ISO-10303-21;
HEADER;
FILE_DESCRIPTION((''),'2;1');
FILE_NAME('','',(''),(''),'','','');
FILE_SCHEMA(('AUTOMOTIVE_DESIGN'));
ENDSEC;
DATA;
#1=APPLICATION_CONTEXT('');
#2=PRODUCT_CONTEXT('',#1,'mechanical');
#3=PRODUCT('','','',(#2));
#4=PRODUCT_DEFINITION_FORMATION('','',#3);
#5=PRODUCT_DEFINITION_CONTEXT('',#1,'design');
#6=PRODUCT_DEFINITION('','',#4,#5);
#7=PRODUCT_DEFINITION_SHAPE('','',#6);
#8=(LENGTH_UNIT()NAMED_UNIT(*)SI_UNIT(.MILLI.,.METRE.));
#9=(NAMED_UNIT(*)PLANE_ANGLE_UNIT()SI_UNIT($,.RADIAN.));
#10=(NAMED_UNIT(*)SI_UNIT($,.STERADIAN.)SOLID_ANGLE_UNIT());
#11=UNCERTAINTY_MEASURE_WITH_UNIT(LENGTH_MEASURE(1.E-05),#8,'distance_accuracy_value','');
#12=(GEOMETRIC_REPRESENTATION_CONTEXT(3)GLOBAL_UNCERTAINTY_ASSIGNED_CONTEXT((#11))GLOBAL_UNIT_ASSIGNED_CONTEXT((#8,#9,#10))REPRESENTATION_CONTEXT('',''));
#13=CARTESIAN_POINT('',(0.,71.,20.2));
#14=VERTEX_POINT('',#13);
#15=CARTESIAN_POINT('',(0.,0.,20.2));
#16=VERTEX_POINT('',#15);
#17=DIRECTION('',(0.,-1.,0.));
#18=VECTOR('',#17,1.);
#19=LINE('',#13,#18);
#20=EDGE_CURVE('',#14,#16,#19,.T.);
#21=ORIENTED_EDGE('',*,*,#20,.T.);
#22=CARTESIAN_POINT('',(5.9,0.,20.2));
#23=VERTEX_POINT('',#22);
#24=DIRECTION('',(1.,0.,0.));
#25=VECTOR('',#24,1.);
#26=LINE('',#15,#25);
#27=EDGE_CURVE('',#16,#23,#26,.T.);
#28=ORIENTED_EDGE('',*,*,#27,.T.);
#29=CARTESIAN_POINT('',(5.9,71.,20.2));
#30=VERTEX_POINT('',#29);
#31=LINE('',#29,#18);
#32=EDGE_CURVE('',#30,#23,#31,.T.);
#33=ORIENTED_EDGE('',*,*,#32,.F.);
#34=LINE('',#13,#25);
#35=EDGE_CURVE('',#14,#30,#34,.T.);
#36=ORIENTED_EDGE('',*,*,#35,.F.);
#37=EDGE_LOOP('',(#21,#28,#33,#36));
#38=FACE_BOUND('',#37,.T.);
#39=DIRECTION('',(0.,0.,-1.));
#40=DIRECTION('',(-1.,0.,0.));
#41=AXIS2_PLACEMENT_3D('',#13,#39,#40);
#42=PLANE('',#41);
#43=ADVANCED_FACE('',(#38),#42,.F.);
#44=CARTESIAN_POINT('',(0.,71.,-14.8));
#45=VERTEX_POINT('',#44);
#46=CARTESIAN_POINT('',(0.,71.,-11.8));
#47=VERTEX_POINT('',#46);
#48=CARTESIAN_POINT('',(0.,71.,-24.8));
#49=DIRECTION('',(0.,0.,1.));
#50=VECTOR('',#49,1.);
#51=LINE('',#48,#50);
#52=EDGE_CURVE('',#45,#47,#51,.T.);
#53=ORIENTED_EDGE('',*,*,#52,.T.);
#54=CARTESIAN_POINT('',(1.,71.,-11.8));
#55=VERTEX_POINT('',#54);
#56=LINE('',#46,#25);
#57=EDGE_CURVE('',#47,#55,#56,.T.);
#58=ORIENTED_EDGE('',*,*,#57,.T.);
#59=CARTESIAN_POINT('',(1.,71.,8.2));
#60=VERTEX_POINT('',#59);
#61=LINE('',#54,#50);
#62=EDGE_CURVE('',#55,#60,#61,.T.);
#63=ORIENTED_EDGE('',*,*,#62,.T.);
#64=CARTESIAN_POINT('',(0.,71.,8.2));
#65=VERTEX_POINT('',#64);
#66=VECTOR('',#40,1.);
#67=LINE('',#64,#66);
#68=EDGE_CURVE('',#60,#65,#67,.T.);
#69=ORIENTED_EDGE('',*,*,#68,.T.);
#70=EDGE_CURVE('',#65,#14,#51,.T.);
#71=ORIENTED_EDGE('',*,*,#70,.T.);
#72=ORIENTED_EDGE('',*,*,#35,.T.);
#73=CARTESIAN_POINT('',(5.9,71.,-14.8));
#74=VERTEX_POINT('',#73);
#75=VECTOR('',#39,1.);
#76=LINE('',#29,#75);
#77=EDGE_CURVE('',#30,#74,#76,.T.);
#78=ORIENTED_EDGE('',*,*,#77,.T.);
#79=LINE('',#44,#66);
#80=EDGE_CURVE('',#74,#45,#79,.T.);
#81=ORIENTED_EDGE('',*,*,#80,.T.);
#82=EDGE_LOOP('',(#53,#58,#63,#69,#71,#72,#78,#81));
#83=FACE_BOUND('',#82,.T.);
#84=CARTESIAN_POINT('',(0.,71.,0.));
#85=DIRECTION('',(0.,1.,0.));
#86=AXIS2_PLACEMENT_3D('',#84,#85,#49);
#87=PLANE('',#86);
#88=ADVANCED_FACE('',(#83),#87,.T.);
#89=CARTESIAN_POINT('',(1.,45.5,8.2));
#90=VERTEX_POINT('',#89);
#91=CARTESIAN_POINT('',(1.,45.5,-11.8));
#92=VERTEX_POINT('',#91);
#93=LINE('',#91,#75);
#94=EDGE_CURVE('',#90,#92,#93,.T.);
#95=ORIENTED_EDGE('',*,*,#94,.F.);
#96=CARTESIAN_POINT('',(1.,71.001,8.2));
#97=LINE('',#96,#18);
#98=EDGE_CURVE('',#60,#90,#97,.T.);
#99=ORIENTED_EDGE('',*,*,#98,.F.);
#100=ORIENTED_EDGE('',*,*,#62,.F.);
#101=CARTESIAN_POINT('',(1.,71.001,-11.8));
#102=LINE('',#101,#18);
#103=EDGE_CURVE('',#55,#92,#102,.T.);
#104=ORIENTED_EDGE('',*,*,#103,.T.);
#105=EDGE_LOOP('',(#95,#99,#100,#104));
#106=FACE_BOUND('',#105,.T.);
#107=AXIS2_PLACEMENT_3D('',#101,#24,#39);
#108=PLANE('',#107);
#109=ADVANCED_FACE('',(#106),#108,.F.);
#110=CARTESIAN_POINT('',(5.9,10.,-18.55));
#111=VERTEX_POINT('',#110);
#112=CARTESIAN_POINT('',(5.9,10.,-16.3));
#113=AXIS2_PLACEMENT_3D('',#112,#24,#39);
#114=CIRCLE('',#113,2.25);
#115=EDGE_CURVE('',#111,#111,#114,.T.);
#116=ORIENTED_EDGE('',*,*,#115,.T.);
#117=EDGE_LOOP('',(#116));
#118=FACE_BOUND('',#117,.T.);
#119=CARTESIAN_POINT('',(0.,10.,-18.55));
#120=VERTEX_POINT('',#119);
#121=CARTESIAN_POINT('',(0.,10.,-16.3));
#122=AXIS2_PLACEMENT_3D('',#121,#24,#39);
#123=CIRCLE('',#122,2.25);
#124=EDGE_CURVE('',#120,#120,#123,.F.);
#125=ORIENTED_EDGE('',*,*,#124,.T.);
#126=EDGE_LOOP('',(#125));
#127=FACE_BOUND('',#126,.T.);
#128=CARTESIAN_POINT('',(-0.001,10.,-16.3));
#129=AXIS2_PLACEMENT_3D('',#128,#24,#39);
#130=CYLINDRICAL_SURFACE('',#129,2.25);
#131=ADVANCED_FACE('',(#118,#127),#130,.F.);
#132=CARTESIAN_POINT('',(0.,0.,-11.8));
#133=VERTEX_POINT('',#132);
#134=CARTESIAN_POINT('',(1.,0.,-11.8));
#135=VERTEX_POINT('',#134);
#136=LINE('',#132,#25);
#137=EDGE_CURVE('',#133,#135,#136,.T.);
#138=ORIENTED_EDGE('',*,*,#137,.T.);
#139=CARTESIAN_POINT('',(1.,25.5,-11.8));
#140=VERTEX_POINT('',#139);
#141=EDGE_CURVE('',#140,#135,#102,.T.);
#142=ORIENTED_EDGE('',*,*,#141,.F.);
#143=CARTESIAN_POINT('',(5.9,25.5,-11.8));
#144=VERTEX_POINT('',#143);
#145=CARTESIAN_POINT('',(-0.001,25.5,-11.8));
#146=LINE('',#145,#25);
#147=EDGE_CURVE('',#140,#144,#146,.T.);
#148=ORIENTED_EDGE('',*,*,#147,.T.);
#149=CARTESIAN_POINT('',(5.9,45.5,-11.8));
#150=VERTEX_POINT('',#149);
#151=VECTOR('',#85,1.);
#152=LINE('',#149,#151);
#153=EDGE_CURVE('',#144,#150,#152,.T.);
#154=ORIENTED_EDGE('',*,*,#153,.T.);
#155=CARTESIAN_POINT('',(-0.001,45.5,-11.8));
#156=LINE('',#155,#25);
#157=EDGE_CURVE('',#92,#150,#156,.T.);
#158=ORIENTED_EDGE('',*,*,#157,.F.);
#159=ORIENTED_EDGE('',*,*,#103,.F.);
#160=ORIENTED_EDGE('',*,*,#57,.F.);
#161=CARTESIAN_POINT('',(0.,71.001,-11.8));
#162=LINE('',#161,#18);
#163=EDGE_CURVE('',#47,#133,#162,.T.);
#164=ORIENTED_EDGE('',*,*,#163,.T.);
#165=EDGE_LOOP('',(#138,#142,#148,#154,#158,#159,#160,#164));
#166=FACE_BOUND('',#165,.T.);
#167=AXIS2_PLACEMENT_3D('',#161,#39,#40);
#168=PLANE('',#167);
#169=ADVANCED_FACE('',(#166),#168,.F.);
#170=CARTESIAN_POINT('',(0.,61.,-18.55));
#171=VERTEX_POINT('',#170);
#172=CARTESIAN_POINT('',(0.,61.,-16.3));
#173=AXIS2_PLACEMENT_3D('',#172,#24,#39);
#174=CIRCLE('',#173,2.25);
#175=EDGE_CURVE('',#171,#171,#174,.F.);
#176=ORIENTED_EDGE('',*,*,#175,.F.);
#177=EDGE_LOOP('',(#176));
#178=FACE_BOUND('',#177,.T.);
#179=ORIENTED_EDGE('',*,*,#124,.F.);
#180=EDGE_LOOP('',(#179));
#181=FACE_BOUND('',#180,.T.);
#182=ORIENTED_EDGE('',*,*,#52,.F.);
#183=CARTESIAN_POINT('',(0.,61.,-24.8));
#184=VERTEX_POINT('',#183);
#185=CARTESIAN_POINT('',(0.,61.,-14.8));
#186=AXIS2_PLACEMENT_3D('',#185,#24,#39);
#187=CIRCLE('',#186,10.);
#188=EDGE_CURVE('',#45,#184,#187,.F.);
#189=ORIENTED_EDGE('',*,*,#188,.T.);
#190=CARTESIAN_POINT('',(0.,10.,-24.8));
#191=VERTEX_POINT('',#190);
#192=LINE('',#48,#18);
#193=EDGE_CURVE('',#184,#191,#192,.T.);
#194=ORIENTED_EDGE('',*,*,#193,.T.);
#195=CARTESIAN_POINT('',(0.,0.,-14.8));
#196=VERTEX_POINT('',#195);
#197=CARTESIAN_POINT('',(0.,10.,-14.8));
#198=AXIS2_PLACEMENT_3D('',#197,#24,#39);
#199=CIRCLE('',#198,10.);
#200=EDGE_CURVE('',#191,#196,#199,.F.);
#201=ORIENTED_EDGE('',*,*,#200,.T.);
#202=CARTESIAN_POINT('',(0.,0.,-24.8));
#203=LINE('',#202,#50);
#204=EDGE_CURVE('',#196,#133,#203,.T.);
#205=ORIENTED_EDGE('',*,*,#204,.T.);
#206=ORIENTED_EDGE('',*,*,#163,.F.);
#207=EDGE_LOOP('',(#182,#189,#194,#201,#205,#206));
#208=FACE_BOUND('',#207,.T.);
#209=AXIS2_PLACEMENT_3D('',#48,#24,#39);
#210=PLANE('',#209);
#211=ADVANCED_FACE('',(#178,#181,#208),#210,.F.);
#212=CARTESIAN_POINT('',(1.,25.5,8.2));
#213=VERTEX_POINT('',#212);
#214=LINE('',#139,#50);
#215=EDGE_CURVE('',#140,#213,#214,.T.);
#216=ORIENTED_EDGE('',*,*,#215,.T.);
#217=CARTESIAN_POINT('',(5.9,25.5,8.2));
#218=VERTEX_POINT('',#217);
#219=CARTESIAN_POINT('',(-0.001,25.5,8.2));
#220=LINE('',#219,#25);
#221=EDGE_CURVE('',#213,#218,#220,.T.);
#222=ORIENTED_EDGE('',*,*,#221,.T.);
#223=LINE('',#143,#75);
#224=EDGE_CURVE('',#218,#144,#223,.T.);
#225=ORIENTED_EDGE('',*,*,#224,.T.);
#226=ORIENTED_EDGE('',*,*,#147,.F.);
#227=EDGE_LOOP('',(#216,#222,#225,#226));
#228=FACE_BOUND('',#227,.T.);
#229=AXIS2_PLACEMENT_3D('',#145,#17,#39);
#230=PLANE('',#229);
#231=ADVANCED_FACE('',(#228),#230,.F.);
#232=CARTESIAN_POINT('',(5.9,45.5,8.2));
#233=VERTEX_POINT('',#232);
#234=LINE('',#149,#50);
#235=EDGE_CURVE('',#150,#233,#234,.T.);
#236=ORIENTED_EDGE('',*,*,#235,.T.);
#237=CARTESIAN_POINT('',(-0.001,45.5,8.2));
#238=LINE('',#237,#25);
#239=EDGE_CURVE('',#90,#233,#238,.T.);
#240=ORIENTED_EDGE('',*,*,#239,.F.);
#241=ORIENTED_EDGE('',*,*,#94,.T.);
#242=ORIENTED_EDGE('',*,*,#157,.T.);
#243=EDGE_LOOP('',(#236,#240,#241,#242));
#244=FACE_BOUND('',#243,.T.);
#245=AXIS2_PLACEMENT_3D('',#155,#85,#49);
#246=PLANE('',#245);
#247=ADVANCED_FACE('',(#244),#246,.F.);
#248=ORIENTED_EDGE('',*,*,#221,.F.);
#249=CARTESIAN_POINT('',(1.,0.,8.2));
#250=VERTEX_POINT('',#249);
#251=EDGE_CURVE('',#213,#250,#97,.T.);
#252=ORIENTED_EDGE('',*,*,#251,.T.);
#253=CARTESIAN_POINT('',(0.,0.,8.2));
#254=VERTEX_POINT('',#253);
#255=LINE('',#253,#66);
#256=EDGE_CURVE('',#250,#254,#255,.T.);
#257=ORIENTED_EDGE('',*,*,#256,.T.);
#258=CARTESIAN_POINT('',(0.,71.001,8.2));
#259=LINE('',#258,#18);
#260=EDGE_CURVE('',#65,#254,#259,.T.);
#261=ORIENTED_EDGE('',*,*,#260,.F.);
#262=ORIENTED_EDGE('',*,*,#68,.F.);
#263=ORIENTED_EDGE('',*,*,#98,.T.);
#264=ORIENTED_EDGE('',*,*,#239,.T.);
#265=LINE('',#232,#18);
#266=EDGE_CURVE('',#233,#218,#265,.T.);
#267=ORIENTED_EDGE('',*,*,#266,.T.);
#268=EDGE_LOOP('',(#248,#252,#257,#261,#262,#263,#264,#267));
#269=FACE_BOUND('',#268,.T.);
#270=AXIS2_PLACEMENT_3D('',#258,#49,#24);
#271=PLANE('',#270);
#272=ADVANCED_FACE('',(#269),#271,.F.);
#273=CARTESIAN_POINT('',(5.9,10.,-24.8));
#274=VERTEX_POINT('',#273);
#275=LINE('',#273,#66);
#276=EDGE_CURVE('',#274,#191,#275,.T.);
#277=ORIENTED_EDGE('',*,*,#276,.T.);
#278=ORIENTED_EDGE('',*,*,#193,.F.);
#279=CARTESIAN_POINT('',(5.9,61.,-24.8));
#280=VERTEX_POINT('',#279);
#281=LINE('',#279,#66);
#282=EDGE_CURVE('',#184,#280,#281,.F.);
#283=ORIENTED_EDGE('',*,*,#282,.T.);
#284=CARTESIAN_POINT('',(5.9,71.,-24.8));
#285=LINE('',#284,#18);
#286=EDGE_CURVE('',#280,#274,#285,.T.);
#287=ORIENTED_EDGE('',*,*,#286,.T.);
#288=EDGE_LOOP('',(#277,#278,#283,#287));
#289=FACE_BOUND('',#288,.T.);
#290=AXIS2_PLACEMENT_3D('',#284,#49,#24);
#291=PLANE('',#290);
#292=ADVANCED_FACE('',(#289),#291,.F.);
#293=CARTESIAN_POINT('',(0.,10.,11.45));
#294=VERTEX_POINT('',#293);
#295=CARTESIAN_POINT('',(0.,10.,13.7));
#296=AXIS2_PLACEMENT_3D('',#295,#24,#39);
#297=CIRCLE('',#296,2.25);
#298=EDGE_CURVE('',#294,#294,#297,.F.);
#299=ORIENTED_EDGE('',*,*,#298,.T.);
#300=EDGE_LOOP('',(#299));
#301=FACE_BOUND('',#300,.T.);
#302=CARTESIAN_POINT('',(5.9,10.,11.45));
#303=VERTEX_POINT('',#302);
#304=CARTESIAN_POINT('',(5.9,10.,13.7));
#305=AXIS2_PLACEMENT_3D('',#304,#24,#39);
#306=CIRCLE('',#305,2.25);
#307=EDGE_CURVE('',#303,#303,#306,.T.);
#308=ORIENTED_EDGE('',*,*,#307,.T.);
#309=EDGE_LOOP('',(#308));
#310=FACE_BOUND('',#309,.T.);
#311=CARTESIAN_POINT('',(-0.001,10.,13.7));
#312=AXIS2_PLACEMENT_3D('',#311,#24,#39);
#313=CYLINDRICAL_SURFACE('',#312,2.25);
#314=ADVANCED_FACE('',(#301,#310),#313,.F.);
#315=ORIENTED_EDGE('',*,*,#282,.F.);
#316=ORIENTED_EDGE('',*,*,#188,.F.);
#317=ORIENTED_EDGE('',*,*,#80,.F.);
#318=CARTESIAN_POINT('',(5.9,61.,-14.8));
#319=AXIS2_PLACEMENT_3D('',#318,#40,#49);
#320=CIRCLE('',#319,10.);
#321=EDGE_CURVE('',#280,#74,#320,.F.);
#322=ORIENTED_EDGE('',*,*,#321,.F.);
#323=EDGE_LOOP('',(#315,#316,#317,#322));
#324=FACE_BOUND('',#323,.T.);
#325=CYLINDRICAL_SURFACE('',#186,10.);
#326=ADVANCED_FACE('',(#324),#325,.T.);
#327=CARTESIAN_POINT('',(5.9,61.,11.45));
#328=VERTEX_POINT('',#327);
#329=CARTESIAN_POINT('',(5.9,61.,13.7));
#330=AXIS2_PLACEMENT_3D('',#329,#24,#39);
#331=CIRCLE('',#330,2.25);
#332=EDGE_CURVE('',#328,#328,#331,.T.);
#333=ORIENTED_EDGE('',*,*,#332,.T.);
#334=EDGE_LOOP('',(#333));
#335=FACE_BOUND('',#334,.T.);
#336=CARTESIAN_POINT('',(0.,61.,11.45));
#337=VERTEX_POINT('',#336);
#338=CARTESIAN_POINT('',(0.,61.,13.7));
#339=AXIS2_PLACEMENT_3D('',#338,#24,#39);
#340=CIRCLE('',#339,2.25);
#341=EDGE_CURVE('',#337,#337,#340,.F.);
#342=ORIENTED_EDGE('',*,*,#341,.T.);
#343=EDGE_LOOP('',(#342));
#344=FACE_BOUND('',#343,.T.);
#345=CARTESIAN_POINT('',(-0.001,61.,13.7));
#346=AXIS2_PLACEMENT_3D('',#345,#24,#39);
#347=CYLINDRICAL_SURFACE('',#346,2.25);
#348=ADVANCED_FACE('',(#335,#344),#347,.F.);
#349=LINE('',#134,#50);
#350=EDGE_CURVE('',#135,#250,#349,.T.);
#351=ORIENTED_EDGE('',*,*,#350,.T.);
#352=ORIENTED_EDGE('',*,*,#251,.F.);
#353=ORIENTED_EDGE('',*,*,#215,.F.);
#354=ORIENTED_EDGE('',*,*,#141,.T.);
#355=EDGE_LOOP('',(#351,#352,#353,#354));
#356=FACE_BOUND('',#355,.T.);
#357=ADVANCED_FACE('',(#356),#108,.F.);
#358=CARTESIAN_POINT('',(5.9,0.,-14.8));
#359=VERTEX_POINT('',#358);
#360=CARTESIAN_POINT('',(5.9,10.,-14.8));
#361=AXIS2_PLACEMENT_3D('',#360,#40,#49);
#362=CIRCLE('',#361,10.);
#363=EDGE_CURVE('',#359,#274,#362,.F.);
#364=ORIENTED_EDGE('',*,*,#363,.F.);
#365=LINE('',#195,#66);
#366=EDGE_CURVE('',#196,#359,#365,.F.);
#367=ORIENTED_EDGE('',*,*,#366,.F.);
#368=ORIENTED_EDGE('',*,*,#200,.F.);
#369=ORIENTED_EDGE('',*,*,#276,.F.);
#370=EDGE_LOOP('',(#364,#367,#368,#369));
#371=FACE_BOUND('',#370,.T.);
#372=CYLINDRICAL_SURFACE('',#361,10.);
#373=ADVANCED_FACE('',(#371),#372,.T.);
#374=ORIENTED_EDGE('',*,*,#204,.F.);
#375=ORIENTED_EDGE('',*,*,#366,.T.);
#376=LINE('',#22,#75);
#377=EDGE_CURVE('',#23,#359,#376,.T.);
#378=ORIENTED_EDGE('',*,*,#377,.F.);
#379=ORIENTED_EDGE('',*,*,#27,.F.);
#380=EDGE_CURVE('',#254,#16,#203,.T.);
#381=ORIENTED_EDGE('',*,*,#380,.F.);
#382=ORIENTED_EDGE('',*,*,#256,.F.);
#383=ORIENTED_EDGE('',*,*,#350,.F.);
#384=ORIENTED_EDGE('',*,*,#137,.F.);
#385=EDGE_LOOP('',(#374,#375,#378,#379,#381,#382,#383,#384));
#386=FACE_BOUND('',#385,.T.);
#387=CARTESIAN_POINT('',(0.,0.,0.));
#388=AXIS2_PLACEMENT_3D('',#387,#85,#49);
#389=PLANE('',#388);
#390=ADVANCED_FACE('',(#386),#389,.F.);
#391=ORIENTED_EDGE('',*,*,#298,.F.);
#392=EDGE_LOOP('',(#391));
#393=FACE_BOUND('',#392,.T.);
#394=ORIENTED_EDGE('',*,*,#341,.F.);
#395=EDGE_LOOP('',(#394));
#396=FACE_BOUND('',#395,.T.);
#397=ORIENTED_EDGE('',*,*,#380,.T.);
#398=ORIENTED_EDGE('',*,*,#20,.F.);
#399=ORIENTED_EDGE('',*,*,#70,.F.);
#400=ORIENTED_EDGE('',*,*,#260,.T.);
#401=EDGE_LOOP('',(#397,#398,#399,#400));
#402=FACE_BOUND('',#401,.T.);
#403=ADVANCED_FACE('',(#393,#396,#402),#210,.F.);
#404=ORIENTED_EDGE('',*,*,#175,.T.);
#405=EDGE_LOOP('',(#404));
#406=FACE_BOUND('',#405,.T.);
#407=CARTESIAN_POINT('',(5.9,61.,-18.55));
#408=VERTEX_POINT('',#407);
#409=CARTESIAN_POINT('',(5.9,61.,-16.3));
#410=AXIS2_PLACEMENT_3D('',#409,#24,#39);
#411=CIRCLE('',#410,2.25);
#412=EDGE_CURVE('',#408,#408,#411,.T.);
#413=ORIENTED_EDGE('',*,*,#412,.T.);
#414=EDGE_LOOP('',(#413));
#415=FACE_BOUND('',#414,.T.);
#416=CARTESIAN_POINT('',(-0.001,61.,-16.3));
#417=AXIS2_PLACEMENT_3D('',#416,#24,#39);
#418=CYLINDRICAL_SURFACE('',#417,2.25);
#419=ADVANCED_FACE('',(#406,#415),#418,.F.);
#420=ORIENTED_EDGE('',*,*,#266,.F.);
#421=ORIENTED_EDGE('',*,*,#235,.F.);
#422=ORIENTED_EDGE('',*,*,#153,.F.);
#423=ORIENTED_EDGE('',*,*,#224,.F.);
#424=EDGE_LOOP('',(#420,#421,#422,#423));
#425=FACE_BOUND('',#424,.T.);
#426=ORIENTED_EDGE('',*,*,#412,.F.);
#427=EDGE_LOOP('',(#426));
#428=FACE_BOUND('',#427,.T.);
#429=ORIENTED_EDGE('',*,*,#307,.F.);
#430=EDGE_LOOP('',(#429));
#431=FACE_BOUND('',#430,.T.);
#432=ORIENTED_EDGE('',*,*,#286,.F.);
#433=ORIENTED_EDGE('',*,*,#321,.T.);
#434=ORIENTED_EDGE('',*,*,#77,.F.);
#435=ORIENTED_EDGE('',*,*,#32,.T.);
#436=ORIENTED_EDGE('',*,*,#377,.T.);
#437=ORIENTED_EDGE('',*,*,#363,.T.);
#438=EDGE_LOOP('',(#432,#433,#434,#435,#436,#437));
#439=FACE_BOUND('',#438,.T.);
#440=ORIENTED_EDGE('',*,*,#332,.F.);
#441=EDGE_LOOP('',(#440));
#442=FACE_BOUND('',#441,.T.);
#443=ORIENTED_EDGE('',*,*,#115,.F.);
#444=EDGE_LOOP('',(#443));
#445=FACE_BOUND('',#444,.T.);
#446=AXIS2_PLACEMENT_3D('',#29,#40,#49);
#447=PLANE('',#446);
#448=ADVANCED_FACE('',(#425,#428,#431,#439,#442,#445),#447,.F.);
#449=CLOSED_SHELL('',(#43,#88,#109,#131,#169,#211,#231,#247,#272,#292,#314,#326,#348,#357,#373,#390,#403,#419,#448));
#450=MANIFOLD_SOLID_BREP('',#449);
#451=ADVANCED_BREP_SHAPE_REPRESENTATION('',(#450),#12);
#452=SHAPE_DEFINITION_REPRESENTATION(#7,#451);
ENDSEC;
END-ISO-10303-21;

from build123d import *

# Parameters (mm, degrees)
SKETCH1_W           = 5.9
SKETCH1_H           = 45
BOSS_EXTRUDE1_DEPTH = 71
CUT_EXTRUDE2_REACH  = 73
SKETCH3_W           = 1
SKETCH3_H           = 20
FILLET1_R           = 10
CUT_EXTRUDE3_REACH  = 7.9
SKETCH4_R           = 2.25
CUT_EXTRUDE4_REACH  = 7.9
SKETCH5_W           = 20
SKETCH5_H           = 20


with BuildPart() as part:
    # Sketch1 → Boss-Extrude1 (new body)
    with BuildSketch(Plane(origin=(0, 0, 0), x_dir=(1, 0, 0), z_dir=(0, 1, 0))):
        with Locations((2.95, 2.3)):
            Rectangle(SKETCH1_W, SKETCH1_H)
    extrude(amount=BOSS_EXTRUDE1_DEPTH)

    # Sketch3 → Cut-Extrude2 (cut, up to next)
    with BuildSketch(Plane.XZ, mode=Mode.PRIVATE) as cut_extrude2_sk1:
        with Locations((0.5, -1.8)):
            Rectangle(SKETCH3_W, SKETCH3_H)
    cut_extrude2_tool1 = extrude(cut_extrude2_sk1.sketch, amount=-CUT_EXTRUDE2_REACH, mode=Mode.PRIVATE) & part.part
    add(cut_extrude2_tool1.solids().sort_by_distance((0.5, 0, -1.8))[0], mode=Mode.SUBTRACT)

    # Fillet1
    fillet1_edges = [part.edges().sort_by_distance(p)[0] for p in [
        (2.95, 71, -24.8),
        (2.95, 0, -24.8),
    ]]
    fillet(fillet1_edges, radius=FILLET1_R)

    # Sketch4 → Cut-Extrude3 (cut, up to next)
    with BuildSketch(Plane(origin=(5.9, 0, 0), x_dir=(0, 0, -1), z_dir=(1, 0, 0)), mode=Mode.PRIVATE) as cut_extrude3_sk1:
        with Locations((-13.7, 61)):
            Circle(SKETCH4_R)
    cut_extrude3_tool1 = extrude(cut_extrude3_sk1.sketch, amount=-CUT_EXTRUDE3_REACH, mode=Mode.PRIVATE) & part.part
    add(cut_extrude3_tool1.solids().sort_by_distance((5.9, 61, 13.7))[0], mode=Mode.SUBTRACT)
    # Sketch4 → Cut-Extrude3 (cut, up to next)
    with BuildSketch(Plane(origin=(5.9, 0, 0), x_dir=(0, 0, -1), z_dir=(1, 0, 0)), mode=Mode.PRIVATE) as cut_extrude3_sk2:
        with Locations((-13.7, 10)):
            Circle(SKETCH4_R)
    cut_extrude3_tool2 = extrude(cut_extrude3_sk2.sketch, amount=-CUT_EXTRUDE3_REACH, mode=Mode.PRIVATE) & part.part
    add(cut_extrude3_tool2.solids().sort_by_distance((5.9, 10, 13.7))[0], mode=Mode.SUBTRACT)
    # Sketch4 → Cut-Extrude3 (cut, up to next)
    with BuildSketch(Plane(origin=(5.9, 0, 0), x_dir=(0, 0, -1), z_dir=(1, 0, 0)), mode=Mode.PRIVATE) as cut_extrude3_sk3:
        with Locations((16.3, 10)):
            Circle(SKETCH4_R)
    cut_extrude3_tool3 = extrude(cut_extrude3_sk3.sketch, amount=-CUT_EXTRUDE3_REACH, mode=Mode.PRIVATE) & part.part
    add(cut_extrude3_tool3.solids().sort_by_distance((5.9, 10, -16.3))[0], mode=Mode.SUBTRACT)
    # Sketch4 → Cut-Extrude3 (cut, up to next)
    with BuildSketch(Plane(origin=(5.9, 0, 0), x_dir=(0, 0, -1), z_dir=(1, 0, 0)), mode=Mode.PRIVATE) as cut_extrude3_sk4:
        with Locations((16.3, 61)):
            Circle(SKETCH4_R)
    cut_extrude3_tool4 = extrude(cut_extrude3_sk4.sketch, amount=-CUT_EXTRUDE3_REACH, mode=Mode.PRIVATE) & part.part
    add(cut_extrude3_tool4.solids().sort_by_distance((5.9, 61, -16.3))[0], mode=Mode.SUBTRACT)

    # Sketch5 → Cut-Extrude4 (cut, up to next)
    with BuildSketch(Plane(origin=(5.9, 0, 0), x_dir=(0, 0, -1), z_dir=(1, 0, 0)), mode=Mode.PRIVATE) as cut_extrude4_sk1:
        with Locations((1.8, 35.5)):
            Rectangle(SKETCH5_W, SKETCH5_H)
    cut_extrude4_tool1 = extrude(cut_extrude4_sk1.sketch, amount=-CUT_EXTRUDE4_REACH, mode=Mode.PRIVATE) & part.part
    add(cut_extrude4_tool1.solids().sort_by_distance((5.9, 35.5, -1.8))[0], mode=Mode.SUBTRACT)


solid = part.part
